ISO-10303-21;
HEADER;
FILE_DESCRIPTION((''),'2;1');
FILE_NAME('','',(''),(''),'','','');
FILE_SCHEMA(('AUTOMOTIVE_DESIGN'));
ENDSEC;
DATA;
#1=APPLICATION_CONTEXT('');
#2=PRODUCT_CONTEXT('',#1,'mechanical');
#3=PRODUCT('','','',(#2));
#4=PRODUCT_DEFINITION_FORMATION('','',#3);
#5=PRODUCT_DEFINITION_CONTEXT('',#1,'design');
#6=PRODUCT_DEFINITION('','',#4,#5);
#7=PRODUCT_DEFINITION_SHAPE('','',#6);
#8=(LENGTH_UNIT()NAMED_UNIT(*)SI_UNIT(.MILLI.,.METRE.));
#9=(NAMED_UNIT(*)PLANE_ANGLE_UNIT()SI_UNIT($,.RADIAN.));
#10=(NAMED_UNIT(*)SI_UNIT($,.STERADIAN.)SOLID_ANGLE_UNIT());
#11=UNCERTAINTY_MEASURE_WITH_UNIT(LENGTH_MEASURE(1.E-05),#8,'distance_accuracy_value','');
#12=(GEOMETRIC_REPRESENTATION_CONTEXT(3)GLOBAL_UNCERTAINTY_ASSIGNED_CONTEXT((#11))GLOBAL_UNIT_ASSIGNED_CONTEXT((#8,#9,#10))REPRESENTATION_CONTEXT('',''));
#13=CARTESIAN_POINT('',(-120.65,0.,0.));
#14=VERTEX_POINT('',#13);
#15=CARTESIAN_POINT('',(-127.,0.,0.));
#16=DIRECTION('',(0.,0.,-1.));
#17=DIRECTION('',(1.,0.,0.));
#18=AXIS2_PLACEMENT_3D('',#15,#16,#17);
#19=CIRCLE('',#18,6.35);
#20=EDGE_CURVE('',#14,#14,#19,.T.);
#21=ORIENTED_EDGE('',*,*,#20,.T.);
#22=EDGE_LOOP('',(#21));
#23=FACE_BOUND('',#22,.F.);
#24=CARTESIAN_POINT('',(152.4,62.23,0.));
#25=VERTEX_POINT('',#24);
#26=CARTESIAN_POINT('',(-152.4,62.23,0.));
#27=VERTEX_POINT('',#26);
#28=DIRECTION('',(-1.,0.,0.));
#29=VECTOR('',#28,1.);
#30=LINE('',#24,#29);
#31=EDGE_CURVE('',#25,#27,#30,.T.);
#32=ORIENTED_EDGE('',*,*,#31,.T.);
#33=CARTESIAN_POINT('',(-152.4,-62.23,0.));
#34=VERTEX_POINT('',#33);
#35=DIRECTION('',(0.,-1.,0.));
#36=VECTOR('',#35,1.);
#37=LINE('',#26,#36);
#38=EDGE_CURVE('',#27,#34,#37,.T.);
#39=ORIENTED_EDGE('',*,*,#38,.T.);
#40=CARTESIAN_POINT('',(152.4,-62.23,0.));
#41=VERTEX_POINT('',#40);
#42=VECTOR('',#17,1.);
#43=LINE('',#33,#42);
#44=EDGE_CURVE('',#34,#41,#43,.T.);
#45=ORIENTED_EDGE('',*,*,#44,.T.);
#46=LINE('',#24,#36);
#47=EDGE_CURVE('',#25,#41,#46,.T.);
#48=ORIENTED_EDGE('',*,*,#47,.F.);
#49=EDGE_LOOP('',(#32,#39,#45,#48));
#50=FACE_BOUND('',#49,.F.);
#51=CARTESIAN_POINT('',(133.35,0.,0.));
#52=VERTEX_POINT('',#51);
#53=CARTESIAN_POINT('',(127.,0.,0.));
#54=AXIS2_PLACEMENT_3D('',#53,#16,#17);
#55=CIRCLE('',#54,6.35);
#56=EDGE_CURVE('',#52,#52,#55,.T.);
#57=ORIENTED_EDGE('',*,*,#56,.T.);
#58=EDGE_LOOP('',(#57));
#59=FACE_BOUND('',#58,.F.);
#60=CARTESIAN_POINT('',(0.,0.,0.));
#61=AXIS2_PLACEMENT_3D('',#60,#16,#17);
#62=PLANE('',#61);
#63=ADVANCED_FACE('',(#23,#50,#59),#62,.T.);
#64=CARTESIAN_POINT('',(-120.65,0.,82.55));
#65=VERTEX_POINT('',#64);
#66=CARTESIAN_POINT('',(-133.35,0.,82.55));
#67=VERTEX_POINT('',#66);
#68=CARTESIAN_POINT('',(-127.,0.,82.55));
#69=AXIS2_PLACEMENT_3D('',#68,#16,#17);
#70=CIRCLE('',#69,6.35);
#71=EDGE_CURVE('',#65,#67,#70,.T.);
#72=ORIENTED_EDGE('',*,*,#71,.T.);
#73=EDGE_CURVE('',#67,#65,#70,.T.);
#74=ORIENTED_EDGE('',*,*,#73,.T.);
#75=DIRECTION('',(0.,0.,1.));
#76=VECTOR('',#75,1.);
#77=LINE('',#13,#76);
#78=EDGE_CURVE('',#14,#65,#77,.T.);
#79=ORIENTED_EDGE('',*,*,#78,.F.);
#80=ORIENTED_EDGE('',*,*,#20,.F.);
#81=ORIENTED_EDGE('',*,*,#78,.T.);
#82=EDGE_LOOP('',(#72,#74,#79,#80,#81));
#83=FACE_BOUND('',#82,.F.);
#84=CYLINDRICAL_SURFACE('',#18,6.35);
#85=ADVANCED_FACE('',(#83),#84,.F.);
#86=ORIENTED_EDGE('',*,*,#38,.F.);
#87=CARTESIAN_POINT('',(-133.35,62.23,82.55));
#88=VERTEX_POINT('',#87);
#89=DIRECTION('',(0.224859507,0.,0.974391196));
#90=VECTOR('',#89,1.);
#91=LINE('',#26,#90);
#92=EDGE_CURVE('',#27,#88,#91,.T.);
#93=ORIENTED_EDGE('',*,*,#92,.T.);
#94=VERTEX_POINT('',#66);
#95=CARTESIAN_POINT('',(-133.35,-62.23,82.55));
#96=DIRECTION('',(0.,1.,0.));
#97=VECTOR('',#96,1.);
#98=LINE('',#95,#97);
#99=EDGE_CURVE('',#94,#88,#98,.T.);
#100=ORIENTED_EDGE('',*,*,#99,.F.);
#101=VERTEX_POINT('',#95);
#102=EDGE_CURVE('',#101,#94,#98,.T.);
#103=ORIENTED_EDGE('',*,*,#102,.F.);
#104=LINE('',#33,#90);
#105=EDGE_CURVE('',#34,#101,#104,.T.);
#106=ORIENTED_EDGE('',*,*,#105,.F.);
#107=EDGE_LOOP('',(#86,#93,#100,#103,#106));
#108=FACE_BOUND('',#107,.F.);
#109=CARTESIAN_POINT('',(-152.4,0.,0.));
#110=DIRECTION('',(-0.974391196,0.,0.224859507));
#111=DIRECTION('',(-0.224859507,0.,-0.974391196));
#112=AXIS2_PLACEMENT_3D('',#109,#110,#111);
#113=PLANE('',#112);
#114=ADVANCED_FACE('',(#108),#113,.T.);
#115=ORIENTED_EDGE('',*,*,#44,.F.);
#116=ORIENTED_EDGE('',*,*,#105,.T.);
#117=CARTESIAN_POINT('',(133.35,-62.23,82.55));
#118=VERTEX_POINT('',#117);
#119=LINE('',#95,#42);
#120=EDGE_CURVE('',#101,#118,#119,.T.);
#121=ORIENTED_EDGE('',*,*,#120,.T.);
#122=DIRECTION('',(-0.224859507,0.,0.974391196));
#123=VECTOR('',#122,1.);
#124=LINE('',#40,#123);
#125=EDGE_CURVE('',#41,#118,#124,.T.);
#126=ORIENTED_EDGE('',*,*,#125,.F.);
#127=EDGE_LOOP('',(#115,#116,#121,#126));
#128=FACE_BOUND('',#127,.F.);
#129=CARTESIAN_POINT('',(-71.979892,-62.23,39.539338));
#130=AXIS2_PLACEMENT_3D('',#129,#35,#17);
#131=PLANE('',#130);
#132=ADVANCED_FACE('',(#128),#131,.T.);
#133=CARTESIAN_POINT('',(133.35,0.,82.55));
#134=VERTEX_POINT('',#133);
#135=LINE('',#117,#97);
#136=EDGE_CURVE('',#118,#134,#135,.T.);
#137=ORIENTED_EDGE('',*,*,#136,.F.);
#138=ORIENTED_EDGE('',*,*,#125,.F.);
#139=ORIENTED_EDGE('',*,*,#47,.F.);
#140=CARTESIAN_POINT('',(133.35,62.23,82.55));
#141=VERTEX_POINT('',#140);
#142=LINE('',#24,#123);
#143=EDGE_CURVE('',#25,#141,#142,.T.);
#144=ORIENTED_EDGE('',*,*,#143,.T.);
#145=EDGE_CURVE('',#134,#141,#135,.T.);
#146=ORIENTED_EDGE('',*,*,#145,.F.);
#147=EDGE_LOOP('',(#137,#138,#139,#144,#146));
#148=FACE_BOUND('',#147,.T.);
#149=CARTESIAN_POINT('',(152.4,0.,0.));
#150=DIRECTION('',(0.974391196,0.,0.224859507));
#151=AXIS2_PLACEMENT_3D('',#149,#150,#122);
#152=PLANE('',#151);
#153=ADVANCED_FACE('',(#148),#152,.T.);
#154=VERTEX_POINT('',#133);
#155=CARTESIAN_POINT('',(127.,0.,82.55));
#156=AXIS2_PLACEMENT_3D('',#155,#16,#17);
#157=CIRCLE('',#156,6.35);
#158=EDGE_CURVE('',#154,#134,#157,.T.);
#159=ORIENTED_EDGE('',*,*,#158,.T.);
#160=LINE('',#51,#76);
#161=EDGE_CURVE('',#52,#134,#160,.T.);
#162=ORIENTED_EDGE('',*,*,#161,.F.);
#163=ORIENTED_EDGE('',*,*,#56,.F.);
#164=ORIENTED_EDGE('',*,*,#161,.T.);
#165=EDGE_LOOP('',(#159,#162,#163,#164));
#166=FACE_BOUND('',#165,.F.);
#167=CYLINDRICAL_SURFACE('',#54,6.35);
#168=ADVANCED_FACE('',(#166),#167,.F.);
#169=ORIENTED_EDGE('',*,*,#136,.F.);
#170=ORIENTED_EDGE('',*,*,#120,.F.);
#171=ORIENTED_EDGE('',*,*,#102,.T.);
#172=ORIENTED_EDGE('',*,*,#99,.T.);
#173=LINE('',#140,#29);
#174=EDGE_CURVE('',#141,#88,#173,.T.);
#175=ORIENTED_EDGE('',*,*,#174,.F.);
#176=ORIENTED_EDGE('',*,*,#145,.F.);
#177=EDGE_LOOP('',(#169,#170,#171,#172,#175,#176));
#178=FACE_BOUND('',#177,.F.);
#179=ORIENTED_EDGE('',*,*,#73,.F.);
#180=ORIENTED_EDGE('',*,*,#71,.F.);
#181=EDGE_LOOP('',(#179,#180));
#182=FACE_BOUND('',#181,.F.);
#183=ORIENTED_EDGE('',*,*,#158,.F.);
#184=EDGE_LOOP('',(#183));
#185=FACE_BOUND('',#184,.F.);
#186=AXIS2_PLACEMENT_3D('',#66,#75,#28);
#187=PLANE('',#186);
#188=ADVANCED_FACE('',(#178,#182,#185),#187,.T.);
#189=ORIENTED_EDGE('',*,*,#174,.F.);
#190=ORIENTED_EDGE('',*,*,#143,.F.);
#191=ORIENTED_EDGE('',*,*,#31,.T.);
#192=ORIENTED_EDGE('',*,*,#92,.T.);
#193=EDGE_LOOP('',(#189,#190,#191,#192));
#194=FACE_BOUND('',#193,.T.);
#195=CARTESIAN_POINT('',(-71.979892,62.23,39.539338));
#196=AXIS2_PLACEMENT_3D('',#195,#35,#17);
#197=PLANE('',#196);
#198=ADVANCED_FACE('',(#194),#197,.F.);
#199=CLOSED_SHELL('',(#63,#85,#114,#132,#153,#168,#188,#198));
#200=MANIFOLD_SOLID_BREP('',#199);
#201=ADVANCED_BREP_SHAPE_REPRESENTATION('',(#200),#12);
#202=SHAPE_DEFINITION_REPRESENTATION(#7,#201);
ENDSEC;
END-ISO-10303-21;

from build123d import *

# Parameters (mm, degrees)
F1_DEPTH = 62.23
F3_R     = 6.35
F4_DEPTH = 82.551


with BuildPart() as f1:
    # F0 (on Front) → F1 (new body, symmetric)
    with BuildSketch(Plane.XZ):
        Polygon((0, 82.55), (0, 0), (152.4, 0), (133.35, 82.55), align=None)
    extrude(amount=F1_DEPTH, both=True)

    # F2: F1 across plane


with BuildPart() as f1_1:
    add(f1.part)
    add(f1.part.mirror(Plane.YZ))

    # F3 (on face) → F4 (cut, through all)
    with BuildSketch(Plane(origin=(0, 0, 0), x_dir=(1, 0, 0), z_dir=(0, 0, -1))):
        with Locations((127, 0)):
            Circle(F3_R)
        with Locations((-127, 0)):
            Circle(F3_R)
    extrude(amount=-F4_DEPTH, mode=Mode.SUBTRACT)


solid = f1_1.part
